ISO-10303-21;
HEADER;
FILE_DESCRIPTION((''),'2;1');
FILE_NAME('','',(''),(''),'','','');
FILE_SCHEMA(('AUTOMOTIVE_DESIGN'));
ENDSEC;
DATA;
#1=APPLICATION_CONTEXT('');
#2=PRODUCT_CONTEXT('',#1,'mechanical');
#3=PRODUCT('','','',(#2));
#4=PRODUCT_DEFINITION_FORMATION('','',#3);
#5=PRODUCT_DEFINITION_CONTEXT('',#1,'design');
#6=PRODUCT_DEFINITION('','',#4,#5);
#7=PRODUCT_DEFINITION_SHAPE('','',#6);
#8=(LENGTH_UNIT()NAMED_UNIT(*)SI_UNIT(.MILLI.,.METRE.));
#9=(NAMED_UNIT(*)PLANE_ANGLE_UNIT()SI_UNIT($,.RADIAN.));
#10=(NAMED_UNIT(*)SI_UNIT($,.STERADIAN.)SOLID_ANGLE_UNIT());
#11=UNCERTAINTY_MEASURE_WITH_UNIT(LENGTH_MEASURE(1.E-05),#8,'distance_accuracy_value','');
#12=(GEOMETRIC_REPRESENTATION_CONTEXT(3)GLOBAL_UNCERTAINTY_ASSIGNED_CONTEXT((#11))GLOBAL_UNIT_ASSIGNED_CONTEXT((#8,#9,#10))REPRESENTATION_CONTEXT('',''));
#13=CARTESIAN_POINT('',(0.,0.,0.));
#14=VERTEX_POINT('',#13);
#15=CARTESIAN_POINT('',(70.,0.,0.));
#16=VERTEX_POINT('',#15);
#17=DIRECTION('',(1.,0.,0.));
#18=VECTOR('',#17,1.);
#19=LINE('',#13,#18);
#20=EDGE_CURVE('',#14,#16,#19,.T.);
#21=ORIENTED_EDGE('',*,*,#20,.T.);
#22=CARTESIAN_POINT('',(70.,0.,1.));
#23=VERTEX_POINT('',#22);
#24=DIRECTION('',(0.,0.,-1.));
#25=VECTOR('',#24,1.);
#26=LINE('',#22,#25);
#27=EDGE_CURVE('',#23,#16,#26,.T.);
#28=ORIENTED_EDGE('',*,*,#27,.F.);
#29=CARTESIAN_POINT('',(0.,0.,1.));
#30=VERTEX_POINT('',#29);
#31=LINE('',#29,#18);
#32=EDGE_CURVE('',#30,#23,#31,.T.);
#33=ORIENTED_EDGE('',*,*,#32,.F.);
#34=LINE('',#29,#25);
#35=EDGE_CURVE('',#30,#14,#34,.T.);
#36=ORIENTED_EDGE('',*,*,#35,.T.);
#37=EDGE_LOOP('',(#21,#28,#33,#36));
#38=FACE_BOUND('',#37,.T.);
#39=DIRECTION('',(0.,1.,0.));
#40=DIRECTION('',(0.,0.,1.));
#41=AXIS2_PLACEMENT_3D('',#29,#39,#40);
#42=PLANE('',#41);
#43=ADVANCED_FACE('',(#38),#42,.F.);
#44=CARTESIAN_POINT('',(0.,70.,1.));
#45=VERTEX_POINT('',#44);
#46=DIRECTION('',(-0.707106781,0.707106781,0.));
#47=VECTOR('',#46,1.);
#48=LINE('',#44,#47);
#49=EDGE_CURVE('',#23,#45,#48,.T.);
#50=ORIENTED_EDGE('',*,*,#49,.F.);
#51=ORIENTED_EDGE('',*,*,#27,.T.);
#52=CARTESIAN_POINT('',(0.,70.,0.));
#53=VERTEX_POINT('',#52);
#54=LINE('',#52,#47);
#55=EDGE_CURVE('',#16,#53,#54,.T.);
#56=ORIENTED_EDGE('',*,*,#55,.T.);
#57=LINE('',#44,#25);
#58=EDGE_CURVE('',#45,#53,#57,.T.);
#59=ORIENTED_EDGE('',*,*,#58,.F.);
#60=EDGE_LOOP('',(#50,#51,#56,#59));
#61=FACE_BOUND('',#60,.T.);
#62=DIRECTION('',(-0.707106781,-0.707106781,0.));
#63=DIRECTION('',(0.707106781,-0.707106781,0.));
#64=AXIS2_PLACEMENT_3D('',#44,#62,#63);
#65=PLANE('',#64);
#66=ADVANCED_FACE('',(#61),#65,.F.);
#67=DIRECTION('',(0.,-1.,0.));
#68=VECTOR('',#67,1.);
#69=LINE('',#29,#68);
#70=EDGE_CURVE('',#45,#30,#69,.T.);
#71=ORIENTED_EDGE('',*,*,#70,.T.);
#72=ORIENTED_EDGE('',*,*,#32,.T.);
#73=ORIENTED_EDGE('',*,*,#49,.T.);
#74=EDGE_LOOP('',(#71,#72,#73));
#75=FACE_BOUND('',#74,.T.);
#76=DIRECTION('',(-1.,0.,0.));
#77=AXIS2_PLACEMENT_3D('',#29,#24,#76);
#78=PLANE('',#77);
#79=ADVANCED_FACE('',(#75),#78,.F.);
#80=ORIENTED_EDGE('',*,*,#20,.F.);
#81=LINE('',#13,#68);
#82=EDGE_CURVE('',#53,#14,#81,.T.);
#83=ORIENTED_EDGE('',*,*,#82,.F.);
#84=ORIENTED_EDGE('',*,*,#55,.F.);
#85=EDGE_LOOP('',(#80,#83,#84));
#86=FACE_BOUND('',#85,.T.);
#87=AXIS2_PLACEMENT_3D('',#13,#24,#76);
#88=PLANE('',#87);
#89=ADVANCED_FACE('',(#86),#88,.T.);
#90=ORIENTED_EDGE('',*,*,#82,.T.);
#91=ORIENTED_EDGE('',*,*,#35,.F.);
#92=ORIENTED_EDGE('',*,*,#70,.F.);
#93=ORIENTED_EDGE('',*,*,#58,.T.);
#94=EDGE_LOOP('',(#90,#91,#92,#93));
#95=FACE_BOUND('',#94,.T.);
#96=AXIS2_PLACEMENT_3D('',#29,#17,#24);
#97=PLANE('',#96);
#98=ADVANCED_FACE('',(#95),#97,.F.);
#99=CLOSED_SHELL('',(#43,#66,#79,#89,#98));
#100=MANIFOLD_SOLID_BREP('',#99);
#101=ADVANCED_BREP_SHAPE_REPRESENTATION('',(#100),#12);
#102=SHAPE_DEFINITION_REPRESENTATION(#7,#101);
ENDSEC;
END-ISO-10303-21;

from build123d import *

# Parameters (mm, degrees)
EXTRUDE_1_DEPTH = 1


with BuildPart() as part:
    # 草图1 → 凸台-拉伸1 (new body)
    with BuildSketch(Plane.XY):
        Polygon((0, 70), (70, 0), (0, 0), align=None)
    extrude(amount=EXTRUDE_1_DEPTH)


solid = part.part
